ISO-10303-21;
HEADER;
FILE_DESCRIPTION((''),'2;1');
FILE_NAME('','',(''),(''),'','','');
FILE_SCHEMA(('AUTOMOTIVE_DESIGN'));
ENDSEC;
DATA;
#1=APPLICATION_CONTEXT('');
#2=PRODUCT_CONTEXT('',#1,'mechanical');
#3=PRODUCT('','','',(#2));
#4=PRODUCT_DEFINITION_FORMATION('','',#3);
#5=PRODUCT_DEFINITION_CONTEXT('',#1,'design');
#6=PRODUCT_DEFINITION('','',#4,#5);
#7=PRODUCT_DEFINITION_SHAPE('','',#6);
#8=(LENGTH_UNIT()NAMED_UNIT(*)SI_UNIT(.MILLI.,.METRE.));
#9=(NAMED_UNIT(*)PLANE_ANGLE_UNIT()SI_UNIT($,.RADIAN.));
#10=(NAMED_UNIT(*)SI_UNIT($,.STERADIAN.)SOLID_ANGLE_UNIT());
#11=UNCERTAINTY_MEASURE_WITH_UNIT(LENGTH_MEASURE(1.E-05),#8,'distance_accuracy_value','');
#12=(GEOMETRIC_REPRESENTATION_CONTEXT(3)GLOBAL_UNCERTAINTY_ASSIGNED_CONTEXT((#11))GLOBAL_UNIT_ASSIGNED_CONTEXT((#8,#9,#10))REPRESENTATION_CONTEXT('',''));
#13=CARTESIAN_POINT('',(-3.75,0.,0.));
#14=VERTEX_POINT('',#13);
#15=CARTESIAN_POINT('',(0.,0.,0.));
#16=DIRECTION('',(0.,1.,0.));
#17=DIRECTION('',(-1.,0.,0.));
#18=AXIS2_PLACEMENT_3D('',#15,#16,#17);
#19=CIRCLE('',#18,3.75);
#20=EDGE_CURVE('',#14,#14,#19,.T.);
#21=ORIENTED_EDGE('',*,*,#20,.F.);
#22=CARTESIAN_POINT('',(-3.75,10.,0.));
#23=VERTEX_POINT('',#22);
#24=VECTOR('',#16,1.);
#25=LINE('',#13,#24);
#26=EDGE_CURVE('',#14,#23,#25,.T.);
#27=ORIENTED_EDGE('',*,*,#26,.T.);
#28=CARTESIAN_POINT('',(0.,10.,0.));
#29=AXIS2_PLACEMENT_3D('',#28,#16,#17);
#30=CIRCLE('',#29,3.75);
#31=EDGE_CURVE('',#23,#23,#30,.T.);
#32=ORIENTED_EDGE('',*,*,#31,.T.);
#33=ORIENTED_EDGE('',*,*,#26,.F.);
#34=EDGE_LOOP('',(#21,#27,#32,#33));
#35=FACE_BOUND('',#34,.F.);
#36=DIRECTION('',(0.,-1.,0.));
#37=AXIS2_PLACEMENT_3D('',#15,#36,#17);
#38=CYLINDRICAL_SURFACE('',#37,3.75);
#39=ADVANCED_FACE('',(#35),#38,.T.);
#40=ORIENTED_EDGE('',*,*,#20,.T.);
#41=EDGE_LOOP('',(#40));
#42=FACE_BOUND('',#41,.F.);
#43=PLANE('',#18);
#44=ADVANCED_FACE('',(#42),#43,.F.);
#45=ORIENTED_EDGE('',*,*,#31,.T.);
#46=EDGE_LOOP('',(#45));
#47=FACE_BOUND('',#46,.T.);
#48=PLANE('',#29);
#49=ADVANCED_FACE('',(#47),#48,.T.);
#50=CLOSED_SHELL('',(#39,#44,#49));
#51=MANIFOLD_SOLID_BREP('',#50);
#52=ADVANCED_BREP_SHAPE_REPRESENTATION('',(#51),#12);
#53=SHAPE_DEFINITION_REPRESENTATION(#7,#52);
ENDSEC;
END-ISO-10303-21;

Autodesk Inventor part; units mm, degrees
ref_plane "YZ Plane" through (0, 0, 0) normal (1, 0, 0) x (0, 1, 0)
ref_plane "XZ Plane" through (0, 0, 0) normal (0, 1, 0) x (-1, 0, 0)
ref_plane "XY Plane" through (0, 0, 0) normal (0, 0, 1) x (1, 0, 0)
sketch "Sketch1" plane through (0, 0, 0) normal (0, 1, 0) x (-1, 0, 0)
  circle A0 centre (0, 0) radius 3.75
  dimension "d0" = 7.5
extrude "Extrusion1" add sketch "Sketch1" along normal blind 10
properties part number "129_2"
